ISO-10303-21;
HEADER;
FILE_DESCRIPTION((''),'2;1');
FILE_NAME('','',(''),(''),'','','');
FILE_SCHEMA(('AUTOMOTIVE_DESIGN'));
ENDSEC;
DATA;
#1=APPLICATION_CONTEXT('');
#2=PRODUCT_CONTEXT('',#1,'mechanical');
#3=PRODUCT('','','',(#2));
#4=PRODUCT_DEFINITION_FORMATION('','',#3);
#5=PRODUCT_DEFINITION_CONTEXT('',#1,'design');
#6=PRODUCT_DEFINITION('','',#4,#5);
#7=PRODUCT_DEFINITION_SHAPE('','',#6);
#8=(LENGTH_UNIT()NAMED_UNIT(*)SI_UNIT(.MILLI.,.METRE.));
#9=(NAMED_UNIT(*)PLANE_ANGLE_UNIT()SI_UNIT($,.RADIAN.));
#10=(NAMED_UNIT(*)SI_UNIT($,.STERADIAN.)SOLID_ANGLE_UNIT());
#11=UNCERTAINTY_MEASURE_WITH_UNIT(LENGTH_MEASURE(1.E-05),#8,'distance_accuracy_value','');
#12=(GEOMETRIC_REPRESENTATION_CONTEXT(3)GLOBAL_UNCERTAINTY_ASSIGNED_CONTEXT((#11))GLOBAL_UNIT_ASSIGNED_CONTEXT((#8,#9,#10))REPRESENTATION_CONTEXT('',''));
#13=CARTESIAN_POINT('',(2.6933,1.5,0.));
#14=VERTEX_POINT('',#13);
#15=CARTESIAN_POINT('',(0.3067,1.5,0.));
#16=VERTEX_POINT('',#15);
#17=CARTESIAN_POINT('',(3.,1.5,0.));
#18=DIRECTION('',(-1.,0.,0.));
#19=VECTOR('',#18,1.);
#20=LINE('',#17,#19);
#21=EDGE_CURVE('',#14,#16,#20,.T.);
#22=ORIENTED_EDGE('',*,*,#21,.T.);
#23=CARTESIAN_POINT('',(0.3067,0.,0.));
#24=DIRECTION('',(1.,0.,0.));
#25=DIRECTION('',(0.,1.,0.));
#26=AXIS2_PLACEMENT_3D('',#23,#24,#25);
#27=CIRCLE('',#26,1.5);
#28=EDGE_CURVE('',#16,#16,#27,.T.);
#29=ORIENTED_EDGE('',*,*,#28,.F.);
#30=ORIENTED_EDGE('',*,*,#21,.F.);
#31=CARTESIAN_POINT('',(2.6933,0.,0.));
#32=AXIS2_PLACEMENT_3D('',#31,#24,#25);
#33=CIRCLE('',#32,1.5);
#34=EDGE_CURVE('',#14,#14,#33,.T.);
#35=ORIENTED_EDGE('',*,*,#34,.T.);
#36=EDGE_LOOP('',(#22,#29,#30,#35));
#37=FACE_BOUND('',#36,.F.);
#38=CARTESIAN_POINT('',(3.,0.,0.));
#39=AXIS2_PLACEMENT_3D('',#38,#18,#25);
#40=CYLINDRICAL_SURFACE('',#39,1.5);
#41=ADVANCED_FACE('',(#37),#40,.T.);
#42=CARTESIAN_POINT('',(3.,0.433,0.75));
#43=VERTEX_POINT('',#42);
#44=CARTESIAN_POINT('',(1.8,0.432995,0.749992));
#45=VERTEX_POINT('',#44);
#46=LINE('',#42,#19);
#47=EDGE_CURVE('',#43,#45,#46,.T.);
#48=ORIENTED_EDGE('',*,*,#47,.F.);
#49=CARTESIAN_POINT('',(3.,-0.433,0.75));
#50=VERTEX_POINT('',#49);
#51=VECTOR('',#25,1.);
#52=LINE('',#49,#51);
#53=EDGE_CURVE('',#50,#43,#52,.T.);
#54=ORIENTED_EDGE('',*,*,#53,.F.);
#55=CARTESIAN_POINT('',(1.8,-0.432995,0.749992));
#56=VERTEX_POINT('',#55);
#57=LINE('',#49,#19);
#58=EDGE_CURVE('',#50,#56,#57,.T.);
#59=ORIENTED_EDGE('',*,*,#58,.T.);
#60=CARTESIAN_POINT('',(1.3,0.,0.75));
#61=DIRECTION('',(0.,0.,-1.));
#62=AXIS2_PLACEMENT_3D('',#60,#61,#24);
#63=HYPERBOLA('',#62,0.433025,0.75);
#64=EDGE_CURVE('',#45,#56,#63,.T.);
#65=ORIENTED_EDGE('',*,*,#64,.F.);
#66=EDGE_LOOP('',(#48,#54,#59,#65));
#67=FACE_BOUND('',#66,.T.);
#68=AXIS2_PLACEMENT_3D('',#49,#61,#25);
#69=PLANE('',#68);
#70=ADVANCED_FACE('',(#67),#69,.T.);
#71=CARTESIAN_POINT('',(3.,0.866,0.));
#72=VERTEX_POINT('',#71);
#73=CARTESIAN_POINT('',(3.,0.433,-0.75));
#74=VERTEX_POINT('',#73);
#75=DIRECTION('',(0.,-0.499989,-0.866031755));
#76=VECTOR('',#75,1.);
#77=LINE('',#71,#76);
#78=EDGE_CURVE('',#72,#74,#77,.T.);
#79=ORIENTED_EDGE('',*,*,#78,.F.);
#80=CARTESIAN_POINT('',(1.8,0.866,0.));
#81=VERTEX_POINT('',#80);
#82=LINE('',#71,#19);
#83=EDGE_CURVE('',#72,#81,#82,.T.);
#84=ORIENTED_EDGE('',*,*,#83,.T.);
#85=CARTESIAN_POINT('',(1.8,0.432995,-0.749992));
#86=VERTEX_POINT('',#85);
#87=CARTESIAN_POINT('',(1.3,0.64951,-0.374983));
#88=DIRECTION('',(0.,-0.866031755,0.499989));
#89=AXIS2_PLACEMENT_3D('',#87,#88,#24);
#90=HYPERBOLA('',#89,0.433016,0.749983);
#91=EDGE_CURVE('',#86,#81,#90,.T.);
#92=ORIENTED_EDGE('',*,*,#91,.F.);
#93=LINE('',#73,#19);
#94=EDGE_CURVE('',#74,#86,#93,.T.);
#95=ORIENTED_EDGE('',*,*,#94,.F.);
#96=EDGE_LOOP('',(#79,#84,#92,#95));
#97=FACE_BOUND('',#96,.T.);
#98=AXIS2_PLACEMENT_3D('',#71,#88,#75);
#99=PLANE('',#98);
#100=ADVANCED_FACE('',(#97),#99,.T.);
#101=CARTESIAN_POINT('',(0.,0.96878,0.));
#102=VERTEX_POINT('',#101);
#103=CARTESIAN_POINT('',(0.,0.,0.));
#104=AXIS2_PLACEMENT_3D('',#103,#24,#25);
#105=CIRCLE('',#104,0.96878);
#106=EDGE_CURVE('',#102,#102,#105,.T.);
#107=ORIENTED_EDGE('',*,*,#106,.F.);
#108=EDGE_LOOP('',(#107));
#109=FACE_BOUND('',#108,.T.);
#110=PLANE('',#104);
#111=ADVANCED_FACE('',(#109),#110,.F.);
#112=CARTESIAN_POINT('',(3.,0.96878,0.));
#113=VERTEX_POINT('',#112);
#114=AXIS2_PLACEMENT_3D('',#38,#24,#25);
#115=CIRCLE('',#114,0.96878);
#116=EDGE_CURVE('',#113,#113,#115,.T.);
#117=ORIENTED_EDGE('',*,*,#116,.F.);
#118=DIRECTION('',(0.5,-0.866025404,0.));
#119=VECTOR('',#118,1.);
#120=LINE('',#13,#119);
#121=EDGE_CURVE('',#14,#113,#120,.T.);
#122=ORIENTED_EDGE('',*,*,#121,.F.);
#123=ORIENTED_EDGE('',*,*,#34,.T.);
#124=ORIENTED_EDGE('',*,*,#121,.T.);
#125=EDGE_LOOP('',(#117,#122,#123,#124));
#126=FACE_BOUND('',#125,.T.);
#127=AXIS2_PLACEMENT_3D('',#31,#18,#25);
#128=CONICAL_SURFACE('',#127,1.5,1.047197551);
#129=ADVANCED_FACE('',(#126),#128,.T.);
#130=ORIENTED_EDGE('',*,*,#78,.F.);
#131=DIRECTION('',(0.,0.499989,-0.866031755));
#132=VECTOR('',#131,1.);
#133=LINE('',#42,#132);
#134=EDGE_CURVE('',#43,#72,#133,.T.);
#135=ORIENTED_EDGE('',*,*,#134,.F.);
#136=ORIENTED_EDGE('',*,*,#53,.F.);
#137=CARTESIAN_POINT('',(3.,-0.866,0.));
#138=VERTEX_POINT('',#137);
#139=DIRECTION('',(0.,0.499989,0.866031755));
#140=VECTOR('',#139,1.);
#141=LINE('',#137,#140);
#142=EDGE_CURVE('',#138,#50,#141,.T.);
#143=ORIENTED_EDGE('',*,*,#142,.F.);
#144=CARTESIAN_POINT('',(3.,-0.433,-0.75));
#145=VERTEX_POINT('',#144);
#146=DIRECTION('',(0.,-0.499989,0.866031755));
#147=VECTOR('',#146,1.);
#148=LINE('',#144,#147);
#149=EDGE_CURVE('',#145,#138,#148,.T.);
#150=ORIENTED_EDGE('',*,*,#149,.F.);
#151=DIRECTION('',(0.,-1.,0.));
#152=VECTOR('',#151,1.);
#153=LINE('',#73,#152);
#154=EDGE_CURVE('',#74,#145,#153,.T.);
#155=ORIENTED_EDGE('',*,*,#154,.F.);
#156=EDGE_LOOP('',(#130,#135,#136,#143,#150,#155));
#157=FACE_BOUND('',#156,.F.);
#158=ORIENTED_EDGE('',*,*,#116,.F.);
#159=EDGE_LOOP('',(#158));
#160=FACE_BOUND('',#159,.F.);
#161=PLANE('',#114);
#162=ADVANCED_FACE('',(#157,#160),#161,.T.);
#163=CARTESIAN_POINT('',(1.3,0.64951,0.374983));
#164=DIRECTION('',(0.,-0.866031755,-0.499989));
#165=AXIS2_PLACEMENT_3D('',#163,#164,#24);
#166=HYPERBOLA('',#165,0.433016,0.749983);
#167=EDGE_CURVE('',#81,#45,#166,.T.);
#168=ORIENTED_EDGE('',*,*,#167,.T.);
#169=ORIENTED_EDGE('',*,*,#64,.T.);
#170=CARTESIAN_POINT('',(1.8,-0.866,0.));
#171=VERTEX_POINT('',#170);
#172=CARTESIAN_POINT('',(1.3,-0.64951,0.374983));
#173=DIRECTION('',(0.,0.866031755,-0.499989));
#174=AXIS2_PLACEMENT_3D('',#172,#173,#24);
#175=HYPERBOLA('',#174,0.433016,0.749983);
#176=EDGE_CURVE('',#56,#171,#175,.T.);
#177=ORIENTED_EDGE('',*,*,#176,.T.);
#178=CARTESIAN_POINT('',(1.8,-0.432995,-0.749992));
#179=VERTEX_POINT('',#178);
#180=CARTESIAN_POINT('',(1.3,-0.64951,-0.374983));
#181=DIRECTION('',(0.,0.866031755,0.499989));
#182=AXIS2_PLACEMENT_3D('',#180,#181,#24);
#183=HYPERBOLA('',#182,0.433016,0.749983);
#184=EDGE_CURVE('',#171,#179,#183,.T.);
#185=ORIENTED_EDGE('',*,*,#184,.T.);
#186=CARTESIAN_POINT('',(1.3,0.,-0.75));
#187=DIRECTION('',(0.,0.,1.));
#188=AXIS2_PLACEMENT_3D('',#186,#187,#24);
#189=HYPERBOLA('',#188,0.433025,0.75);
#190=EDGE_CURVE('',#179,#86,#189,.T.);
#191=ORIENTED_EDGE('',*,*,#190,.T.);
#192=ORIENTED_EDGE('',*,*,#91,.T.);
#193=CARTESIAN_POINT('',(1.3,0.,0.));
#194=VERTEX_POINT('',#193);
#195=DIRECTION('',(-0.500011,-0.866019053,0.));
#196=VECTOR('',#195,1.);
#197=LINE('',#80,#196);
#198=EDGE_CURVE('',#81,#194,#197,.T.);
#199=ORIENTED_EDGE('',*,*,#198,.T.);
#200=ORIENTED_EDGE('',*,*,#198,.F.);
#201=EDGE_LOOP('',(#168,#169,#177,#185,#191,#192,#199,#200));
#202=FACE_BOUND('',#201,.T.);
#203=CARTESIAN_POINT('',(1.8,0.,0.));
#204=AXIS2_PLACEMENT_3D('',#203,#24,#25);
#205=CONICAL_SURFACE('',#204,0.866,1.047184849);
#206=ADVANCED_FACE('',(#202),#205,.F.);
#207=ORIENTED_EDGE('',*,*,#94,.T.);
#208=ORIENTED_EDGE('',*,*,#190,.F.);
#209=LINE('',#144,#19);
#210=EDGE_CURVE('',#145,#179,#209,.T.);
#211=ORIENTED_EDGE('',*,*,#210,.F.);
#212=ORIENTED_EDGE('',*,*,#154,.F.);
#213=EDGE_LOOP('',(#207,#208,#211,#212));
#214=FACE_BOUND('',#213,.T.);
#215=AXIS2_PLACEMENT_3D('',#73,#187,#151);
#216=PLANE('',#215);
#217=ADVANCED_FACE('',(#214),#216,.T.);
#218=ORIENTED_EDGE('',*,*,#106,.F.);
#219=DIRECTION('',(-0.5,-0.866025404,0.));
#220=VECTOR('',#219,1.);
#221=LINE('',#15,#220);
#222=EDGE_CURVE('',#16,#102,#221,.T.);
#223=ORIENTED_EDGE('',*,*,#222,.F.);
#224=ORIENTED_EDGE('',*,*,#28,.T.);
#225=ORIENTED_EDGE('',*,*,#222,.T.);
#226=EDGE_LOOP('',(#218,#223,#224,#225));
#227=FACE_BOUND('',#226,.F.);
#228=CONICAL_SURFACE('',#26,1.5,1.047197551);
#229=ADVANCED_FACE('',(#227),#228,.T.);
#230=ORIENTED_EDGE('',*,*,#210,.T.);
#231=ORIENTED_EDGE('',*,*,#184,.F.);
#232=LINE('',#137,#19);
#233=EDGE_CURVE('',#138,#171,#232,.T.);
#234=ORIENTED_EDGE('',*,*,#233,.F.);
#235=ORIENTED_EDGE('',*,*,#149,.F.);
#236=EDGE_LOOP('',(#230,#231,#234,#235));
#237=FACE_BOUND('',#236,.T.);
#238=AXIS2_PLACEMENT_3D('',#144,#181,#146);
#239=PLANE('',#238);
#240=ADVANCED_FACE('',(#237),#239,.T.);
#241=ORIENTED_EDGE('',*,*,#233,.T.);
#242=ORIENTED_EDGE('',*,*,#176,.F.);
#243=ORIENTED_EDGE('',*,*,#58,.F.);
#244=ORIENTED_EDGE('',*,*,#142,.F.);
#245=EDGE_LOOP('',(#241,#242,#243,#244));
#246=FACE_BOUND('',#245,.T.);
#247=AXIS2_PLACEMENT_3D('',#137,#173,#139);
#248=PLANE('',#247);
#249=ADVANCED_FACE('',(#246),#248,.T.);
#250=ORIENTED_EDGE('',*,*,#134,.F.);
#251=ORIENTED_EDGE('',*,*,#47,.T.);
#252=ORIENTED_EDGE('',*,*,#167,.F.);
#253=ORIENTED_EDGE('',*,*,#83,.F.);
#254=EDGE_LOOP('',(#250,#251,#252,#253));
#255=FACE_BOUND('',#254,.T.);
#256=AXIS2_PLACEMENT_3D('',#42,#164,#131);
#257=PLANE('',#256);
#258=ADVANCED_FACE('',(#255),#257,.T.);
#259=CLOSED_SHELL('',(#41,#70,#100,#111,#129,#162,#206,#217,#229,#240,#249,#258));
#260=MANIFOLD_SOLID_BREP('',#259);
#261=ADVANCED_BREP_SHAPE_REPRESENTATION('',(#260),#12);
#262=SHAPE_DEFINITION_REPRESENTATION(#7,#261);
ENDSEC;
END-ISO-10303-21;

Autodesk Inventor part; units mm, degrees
ref_plane "YZ Plane" through (0, 0, 0) normal (1, 0, 0) x (0, 1, 0)
ref_plane "XZ Plane" through (0, 0, 0) normal (0, 1, 0) x (-1, 0, 0)
sketch "Skizze1" plane through (0, 0, 0) normal (0, 0, 1) x (1, 0, 0)
  line L0 (0, 0) -> (1.3, 0)
  line L1 (3, 0.866) -> (3, 1.5)
  line L2 (3, 1.5) -> (0, 1.5)
  line L3 (3, 0.866) -> (1.8, 0.866)
  line L4 (1.8, 0.866) -> (1.3, 0)
  line L5 (0, -0.3) -> (0, 1.8) projected
  line L6 (0, 1.5) -> (0, 0)
  dimension "d0" = 1.2
  dimension "d1" = 60
  dimension "d2" = 3
  dimension "d3" = 1.7321
  dimension "d5" = 3
revolve "Körper" add sketch "Skizze1" angle 360 about axis through (0, 0, 0) along (1, 0, 0)
sketch "Skizze2" plane through (3, 0, 0) normal (1, 0, 0) x (0, 1, 0)
  circle A0 centre (0, 0) radius 0.866 projected
  line L0 (-0.433, 0.75) -> (0.433, 0.75)
  line L1 (0.433, 0.75) -> (0.866, 0)
  line L2 (0.866, 0) -> (0.433, -0.75)
  line L3 (0.433, -0.75) -> (-0.433, -0.75)
  line L4 (-0.433, -0.75) -> (-0.866, 0)
  line L5 (-0.866, 0) -> (-0.433, 0.75)
  point P0 (0, 0)
  point P1 (0, 0)
extrude "Loch" add sketch "Skizze2" against normal up to next contours L1 A0 | A0 L2 | L0 A0 | A0 L3 | L5 A0 | A0 L4
thread "Gewinde" size "M3x0.5" class "6g" standard "ISO Metric profile" length 3
chamfer "Fase1" distance 0.3067 angle 60 1 edges at (3, -1.5, 0) measured on face at (2, 1.4806, -0.2406)
chamfer "Fase2" distance 0.3067 angle 60 1 edges at (0, -1.5, 0) measured on face at (0.8978, 1.4951, -0.1207)
ref_plane "Work Plane1" through (1.5, 0, 0) normal (0, 0, 1) x (1, 0, 0)
equation "\"d0\" = INTI"
equation "\"d2\" = NND"
equation "\"d3\" = 1.1547 * SW"
equation "\"d5\" = NLG"
equation "\"d8\" = NLG"
equation "\"d10\" = -0.5 * GD1 + 0.5 * NND"
equation "\"d11\" = FAWI"
equation "\"d34\" = -0.5 * GD1 + 0.5 * NND"
equation "\"d12\" = -0.5 * GD1 + 0.5 * NND"
equation "\"d13\" = FAWI"
equation "\"d35\" = -0.5 * GD1 + 0.5 * NND"
equation "\"NND\" = 3"
equation "\"NLG\" = 3"
equation "\"INTI\" = 1.2"
equation "\"FAWI\" = 60deg"
equation "\"SW\" = 1.5"
equation "\"GD1\" = THREADDIA - 1.2269 * PTC"
equation "\"SPD\" = 2"
equation "\"GUL\" = 0.61345 * PTC"
equation "\"TOA\" = 30deg"
equation "\"THREADDIA\" = 3"
equation "\"PTC\" = 0.5"
equation "\"FAWI1\" = 45deg"
equation "\"GAL\" = 0.61345 * PTC"
equation "\"E0\" = 1.155 * SW"
properties part number "DIN 913 - M3 x 3" material "Stahl, weich"
